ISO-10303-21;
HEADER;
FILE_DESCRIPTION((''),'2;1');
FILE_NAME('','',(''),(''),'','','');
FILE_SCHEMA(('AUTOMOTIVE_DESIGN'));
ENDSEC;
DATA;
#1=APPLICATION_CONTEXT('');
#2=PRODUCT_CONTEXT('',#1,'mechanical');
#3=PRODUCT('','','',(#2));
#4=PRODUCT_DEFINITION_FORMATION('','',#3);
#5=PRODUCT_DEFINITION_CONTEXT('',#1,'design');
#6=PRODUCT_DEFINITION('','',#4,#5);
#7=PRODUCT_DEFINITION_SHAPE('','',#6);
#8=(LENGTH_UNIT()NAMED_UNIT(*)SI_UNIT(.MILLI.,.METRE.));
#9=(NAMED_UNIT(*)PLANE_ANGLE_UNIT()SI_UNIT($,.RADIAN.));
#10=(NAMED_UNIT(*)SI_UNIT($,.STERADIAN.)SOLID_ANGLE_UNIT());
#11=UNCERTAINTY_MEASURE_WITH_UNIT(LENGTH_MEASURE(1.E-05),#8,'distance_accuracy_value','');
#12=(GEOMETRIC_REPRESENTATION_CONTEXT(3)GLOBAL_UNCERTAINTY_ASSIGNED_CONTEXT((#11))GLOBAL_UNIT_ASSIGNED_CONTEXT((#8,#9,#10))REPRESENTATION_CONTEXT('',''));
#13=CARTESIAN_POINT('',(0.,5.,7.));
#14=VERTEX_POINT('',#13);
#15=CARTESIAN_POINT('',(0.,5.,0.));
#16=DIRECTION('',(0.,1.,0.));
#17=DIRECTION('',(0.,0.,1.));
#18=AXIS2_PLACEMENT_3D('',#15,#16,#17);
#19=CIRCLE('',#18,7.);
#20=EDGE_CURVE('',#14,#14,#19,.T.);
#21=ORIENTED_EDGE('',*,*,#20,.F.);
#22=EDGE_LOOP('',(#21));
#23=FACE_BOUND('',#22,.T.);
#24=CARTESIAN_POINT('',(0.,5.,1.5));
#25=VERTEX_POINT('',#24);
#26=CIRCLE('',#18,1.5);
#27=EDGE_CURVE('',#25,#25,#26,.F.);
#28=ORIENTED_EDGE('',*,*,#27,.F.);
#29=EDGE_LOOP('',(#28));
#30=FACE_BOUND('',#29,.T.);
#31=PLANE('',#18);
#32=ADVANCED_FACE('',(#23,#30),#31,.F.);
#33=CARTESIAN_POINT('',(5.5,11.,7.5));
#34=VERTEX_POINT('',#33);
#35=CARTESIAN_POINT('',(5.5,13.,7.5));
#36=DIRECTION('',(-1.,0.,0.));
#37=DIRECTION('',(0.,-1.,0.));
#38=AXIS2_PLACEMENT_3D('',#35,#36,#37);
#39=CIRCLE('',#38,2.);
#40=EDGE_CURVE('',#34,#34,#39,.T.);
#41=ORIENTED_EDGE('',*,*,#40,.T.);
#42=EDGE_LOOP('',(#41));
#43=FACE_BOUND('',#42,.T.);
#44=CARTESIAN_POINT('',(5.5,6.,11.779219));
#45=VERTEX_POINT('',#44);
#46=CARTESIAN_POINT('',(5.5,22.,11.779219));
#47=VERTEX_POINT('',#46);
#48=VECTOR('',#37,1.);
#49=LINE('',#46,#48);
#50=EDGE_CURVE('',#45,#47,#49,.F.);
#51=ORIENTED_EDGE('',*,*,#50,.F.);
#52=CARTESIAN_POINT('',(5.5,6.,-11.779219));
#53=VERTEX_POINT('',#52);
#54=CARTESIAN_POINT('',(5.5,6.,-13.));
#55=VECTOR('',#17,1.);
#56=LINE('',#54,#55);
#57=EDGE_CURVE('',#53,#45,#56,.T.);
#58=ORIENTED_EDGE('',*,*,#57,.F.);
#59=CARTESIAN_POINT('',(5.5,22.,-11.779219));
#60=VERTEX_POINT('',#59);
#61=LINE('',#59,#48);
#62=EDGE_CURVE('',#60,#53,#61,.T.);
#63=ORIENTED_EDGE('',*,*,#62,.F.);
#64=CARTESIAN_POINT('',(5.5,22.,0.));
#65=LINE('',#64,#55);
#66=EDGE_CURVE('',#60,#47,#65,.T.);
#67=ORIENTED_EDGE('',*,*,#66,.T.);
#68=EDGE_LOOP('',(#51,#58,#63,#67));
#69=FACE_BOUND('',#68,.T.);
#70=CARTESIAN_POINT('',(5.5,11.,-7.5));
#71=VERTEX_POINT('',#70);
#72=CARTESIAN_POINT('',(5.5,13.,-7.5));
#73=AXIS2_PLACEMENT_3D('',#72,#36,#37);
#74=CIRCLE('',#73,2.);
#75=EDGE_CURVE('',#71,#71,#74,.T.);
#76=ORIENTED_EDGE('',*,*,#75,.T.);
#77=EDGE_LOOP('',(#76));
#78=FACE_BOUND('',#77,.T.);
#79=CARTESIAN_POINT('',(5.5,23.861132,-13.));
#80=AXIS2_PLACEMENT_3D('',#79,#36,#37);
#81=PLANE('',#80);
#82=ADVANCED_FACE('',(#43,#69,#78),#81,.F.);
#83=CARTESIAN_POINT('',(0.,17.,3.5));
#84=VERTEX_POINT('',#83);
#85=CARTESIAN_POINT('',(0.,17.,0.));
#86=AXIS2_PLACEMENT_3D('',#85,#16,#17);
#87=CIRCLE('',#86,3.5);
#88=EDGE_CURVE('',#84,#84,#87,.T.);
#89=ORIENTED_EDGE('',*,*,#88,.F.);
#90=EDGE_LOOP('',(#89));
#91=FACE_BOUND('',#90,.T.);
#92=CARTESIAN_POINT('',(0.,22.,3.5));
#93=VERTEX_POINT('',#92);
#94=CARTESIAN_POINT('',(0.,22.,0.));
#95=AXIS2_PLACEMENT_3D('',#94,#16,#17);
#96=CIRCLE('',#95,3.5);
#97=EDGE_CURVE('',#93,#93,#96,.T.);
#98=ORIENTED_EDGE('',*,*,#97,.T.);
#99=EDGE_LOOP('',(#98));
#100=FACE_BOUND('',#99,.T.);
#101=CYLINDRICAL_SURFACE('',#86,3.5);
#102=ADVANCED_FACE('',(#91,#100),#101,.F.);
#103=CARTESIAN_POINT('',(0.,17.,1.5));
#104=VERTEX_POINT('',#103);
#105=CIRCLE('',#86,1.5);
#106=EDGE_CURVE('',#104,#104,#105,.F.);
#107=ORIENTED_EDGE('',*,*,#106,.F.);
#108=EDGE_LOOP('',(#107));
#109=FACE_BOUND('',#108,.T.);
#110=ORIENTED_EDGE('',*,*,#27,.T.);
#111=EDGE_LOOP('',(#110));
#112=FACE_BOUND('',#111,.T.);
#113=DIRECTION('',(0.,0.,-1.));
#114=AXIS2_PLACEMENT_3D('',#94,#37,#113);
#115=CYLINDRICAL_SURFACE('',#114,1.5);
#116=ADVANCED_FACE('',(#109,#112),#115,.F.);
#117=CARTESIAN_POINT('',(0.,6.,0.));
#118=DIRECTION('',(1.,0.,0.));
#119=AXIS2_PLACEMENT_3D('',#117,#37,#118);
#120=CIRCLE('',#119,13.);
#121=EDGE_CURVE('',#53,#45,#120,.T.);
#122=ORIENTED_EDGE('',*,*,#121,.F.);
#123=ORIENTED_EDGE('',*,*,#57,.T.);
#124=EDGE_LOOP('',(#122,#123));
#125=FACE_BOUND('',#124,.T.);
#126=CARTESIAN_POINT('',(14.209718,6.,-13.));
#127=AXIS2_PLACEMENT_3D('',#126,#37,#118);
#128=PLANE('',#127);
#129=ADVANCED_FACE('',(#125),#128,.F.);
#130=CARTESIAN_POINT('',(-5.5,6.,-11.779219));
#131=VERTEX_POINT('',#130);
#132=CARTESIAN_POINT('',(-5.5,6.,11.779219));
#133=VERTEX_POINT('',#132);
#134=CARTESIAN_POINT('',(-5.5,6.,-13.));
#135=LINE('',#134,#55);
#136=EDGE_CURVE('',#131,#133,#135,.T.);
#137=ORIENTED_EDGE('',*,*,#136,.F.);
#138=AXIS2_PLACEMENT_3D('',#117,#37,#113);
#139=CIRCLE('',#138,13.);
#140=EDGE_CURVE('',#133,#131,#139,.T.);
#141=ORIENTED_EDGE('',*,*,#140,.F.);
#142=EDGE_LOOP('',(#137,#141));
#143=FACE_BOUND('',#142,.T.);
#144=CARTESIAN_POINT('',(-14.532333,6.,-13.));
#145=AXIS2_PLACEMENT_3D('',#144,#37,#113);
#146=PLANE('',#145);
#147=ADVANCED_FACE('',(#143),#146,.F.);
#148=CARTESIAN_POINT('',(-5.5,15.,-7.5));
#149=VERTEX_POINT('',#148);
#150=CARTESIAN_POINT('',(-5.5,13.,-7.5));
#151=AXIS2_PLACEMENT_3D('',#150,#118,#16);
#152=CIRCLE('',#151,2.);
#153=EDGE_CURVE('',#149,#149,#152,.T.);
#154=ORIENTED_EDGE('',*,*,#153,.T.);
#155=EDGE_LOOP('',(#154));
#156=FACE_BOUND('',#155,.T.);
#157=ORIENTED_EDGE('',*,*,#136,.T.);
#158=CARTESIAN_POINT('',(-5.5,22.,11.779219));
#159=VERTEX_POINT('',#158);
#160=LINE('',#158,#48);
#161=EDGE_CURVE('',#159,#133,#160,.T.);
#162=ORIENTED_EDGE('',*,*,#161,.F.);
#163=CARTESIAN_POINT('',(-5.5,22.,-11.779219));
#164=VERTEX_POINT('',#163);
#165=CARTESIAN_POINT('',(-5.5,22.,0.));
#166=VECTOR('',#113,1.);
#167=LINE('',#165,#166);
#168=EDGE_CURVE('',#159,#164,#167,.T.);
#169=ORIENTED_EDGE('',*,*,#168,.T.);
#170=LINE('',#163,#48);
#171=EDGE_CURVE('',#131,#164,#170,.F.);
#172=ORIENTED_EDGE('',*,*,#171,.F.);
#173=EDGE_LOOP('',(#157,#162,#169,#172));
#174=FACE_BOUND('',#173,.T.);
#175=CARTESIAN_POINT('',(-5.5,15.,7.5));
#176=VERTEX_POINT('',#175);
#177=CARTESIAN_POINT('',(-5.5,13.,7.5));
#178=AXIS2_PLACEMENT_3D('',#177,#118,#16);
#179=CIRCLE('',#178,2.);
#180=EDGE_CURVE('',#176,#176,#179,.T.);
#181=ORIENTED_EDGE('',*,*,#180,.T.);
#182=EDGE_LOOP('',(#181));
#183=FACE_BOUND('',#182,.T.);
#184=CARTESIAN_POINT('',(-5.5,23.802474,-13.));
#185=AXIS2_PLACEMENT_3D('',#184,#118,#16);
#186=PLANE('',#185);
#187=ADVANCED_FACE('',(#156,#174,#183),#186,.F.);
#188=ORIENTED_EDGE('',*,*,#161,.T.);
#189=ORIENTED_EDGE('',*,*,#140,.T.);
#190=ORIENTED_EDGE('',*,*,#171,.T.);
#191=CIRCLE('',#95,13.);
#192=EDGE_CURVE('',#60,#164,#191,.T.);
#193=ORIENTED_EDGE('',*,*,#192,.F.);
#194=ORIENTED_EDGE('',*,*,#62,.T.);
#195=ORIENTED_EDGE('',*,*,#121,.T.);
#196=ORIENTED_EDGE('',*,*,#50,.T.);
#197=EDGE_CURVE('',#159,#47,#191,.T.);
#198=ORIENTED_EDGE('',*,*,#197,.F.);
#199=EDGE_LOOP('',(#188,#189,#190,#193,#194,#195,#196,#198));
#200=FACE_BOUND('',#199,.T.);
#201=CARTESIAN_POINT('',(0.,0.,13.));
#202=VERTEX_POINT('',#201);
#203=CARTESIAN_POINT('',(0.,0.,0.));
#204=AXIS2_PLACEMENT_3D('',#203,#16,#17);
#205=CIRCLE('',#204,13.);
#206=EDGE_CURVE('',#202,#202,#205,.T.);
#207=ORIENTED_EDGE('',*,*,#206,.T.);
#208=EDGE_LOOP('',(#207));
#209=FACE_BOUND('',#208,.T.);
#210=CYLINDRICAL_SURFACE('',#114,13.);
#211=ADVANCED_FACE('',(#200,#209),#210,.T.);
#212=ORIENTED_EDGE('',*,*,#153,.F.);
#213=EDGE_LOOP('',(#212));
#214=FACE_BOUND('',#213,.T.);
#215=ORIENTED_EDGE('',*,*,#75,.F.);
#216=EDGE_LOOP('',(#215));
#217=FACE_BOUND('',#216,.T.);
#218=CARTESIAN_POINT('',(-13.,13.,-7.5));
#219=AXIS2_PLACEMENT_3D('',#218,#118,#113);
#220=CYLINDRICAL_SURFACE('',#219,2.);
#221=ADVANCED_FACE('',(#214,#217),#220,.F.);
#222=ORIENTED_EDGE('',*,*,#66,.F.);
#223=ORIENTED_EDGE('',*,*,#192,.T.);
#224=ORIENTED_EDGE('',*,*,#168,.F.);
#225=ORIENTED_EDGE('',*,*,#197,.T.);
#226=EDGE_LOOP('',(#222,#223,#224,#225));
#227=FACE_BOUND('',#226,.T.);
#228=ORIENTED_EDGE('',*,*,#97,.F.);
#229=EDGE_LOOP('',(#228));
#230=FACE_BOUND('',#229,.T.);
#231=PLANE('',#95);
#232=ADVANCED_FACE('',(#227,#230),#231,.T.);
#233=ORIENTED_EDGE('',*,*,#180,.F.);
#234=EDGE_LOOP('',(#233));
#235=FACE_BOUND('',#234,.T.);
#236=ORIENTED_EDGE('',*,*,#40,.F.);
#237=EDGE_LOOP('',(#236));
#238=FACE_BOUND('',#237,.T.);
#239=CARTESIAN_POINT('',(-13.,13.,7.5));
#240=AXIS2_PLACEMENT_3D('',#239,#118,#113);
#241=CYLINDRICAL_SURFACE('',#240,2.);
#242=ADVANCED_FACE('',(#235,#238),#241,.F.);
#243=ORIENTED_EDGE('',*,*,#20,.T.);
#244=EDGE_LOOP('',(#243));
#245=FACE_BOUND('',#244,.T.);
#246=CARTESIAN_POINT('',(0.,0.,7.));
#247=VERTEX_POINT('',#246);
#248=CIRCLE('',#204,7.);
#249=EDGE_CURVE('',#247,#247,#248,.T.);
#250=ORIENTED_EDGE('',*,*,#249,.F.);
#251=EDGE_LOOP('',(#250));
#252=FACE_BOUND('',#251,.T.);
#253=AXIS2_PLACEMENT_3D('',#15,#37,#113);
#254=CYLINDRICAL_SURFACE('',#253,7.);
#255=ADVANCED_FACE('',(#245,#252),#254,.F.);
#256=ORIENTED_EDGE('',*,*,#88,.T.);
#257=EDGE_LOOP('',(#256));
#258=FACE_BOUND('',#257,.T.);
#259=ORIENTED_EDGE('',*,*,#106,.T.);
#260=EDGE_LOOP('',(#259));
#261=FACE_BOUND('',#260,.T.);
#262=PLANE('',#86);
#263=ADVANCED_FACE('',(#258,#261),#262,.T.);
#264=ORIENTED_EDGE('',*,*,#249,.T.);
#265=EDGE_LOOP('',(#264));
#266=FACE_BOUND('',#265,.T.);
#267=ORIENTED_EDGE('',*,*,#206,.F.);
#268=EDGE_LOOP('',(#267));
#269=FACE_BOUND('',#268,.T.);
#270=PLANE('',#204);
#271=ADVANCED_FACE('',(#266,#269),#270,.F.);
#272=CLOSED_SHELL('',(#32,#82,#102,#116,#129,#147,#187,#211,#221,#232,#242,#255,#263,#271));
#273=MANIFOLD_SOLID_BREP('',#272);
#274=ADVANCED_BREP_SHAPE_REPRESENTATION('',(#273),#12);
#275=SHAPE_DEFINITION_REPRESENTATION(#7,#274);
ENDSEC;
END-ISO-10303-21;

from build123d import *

# Parameters (mm, degrees)
SKETCH1_R               = 13
BOSS_EXTRUDE1_DEPTH     = 22
SKETCH2_R               = 7
CUT_EXTRUDE1_DEPTH      = 5
SKETCH3_W               = 8.709717948
SKETCH3_H               = 17.861131539
SKETCH3_W_2             = 9.032332804
SKETCH3_H_2             = 17.802474292
CUT_EXTRUDE2_DEPTH      = 14
CUT_EXTRUDE2_DEPTH_BACK = 14
SKETCH4_R               = 2
CUT_EXTRUDE3_DEPTH      = 14
CUT_EXTRUDE3_DEPTH_BACK = 14
CUT_EXTRUDE4_START      = 22
SKETCH5_R               = 3.5
CUT_EXTRUDE4_DEPTH      = 5
SKETCH6_R               = 1.5
CUT_EXTRUDE5_DEPTH      = 23


with BuildPart() as part:
    # Sketch1 → Boss-Extrude1 (new body)
    with BuildSketch(Plane(origin=(0, 0, 0), x_dir=(1, 0, 0), z_dir=(0, 1, 0))):
        Circle(SKETCH1_R)
    extrude(amount=BOSS_EXTRUDE1_DEPTH)

    # Sketch2 → Cut-Extrude1 (cut)
    with BuildSketch(Plane(origin=(0, 0, 0), x_dir=(1, 0, 0), z_dir=(0, 1, 0))):
        Circle(SKETCH2_R)
    extrude(amount=CUT_EXTRUDE1_DEPTH, mode=Mode.SUBTRACT)

    # Sketch3 → Cut-Extrude2 (cut, two sides)
    with BuildSketch(Plane.XY) as cut_extrude2_sk:
        with Locations((9.854858974, 14.93056577)):
            Rectangle(SKETCH3_W, SKETCH3_H)
        with Locations((-10.016166402, 14.901237146)):
            Rectangle(SKETCH3_W_2, SKETCH3_H_2)
    extrude(amount=CUT_EXTRUDE2_DEPTH, mode=Mode.SUBTRACT)
    extrude(cut_extrude2_sk.sketch, amount=-CUT_EXTRUDE2_DEPTH_BACK, mode=Mode.SUBTRACT)

    # Sketch4 → Cut-Extrude3 (cut, two sides)
    with BuildSketch(Plane(origin=(0, 0, 0), x_dir=(0, 0, -1), z_dir=(1, 0, 0))) as cut_extrude3_sk:
        with Locations((-7.5, 13)):
            Circle(SKETCH4_R)
        with Locations((7.5, 13)):
            Circle(SKETCH4_R)
    extrude(amount=CUT_EXTRUDE3_DEPTH, mode=Mode.SUBTRACT)
    extrude(cut_extrude3_sk.sketch, amount=-CUT_EXTRUDE3_DEPTH_BACK, mode=Mode.SUBTRACT)

    # Sketch5 → Cut-Extrude4 (cut)
    with BuildSketch(Plane(origin=(0, 0, 0), x_dir=(1, 0, 0), z_dir=(0, 1, 0)).offset(CUT_EXTRUDE4_START)):
        Circle(SKETCH5_R)
    extrude(amount=-CUT_EXTRUDE4_DEPTH, mode=Mode.SUBTRACT)

    # Sketch6 → Cut-Extrude5 (cut, through all)
    with BuildSketch(Plane(origin=(0, 0, 0), x_dir=(1, 0, 0), z_dir=(0, 1, 0))):
        Circle(SKETCH6_R)
    extrude(amount=CUT_EXTRUDE5_DEPTH, mode=Mode.SUBTRACT)


solid = part.part
